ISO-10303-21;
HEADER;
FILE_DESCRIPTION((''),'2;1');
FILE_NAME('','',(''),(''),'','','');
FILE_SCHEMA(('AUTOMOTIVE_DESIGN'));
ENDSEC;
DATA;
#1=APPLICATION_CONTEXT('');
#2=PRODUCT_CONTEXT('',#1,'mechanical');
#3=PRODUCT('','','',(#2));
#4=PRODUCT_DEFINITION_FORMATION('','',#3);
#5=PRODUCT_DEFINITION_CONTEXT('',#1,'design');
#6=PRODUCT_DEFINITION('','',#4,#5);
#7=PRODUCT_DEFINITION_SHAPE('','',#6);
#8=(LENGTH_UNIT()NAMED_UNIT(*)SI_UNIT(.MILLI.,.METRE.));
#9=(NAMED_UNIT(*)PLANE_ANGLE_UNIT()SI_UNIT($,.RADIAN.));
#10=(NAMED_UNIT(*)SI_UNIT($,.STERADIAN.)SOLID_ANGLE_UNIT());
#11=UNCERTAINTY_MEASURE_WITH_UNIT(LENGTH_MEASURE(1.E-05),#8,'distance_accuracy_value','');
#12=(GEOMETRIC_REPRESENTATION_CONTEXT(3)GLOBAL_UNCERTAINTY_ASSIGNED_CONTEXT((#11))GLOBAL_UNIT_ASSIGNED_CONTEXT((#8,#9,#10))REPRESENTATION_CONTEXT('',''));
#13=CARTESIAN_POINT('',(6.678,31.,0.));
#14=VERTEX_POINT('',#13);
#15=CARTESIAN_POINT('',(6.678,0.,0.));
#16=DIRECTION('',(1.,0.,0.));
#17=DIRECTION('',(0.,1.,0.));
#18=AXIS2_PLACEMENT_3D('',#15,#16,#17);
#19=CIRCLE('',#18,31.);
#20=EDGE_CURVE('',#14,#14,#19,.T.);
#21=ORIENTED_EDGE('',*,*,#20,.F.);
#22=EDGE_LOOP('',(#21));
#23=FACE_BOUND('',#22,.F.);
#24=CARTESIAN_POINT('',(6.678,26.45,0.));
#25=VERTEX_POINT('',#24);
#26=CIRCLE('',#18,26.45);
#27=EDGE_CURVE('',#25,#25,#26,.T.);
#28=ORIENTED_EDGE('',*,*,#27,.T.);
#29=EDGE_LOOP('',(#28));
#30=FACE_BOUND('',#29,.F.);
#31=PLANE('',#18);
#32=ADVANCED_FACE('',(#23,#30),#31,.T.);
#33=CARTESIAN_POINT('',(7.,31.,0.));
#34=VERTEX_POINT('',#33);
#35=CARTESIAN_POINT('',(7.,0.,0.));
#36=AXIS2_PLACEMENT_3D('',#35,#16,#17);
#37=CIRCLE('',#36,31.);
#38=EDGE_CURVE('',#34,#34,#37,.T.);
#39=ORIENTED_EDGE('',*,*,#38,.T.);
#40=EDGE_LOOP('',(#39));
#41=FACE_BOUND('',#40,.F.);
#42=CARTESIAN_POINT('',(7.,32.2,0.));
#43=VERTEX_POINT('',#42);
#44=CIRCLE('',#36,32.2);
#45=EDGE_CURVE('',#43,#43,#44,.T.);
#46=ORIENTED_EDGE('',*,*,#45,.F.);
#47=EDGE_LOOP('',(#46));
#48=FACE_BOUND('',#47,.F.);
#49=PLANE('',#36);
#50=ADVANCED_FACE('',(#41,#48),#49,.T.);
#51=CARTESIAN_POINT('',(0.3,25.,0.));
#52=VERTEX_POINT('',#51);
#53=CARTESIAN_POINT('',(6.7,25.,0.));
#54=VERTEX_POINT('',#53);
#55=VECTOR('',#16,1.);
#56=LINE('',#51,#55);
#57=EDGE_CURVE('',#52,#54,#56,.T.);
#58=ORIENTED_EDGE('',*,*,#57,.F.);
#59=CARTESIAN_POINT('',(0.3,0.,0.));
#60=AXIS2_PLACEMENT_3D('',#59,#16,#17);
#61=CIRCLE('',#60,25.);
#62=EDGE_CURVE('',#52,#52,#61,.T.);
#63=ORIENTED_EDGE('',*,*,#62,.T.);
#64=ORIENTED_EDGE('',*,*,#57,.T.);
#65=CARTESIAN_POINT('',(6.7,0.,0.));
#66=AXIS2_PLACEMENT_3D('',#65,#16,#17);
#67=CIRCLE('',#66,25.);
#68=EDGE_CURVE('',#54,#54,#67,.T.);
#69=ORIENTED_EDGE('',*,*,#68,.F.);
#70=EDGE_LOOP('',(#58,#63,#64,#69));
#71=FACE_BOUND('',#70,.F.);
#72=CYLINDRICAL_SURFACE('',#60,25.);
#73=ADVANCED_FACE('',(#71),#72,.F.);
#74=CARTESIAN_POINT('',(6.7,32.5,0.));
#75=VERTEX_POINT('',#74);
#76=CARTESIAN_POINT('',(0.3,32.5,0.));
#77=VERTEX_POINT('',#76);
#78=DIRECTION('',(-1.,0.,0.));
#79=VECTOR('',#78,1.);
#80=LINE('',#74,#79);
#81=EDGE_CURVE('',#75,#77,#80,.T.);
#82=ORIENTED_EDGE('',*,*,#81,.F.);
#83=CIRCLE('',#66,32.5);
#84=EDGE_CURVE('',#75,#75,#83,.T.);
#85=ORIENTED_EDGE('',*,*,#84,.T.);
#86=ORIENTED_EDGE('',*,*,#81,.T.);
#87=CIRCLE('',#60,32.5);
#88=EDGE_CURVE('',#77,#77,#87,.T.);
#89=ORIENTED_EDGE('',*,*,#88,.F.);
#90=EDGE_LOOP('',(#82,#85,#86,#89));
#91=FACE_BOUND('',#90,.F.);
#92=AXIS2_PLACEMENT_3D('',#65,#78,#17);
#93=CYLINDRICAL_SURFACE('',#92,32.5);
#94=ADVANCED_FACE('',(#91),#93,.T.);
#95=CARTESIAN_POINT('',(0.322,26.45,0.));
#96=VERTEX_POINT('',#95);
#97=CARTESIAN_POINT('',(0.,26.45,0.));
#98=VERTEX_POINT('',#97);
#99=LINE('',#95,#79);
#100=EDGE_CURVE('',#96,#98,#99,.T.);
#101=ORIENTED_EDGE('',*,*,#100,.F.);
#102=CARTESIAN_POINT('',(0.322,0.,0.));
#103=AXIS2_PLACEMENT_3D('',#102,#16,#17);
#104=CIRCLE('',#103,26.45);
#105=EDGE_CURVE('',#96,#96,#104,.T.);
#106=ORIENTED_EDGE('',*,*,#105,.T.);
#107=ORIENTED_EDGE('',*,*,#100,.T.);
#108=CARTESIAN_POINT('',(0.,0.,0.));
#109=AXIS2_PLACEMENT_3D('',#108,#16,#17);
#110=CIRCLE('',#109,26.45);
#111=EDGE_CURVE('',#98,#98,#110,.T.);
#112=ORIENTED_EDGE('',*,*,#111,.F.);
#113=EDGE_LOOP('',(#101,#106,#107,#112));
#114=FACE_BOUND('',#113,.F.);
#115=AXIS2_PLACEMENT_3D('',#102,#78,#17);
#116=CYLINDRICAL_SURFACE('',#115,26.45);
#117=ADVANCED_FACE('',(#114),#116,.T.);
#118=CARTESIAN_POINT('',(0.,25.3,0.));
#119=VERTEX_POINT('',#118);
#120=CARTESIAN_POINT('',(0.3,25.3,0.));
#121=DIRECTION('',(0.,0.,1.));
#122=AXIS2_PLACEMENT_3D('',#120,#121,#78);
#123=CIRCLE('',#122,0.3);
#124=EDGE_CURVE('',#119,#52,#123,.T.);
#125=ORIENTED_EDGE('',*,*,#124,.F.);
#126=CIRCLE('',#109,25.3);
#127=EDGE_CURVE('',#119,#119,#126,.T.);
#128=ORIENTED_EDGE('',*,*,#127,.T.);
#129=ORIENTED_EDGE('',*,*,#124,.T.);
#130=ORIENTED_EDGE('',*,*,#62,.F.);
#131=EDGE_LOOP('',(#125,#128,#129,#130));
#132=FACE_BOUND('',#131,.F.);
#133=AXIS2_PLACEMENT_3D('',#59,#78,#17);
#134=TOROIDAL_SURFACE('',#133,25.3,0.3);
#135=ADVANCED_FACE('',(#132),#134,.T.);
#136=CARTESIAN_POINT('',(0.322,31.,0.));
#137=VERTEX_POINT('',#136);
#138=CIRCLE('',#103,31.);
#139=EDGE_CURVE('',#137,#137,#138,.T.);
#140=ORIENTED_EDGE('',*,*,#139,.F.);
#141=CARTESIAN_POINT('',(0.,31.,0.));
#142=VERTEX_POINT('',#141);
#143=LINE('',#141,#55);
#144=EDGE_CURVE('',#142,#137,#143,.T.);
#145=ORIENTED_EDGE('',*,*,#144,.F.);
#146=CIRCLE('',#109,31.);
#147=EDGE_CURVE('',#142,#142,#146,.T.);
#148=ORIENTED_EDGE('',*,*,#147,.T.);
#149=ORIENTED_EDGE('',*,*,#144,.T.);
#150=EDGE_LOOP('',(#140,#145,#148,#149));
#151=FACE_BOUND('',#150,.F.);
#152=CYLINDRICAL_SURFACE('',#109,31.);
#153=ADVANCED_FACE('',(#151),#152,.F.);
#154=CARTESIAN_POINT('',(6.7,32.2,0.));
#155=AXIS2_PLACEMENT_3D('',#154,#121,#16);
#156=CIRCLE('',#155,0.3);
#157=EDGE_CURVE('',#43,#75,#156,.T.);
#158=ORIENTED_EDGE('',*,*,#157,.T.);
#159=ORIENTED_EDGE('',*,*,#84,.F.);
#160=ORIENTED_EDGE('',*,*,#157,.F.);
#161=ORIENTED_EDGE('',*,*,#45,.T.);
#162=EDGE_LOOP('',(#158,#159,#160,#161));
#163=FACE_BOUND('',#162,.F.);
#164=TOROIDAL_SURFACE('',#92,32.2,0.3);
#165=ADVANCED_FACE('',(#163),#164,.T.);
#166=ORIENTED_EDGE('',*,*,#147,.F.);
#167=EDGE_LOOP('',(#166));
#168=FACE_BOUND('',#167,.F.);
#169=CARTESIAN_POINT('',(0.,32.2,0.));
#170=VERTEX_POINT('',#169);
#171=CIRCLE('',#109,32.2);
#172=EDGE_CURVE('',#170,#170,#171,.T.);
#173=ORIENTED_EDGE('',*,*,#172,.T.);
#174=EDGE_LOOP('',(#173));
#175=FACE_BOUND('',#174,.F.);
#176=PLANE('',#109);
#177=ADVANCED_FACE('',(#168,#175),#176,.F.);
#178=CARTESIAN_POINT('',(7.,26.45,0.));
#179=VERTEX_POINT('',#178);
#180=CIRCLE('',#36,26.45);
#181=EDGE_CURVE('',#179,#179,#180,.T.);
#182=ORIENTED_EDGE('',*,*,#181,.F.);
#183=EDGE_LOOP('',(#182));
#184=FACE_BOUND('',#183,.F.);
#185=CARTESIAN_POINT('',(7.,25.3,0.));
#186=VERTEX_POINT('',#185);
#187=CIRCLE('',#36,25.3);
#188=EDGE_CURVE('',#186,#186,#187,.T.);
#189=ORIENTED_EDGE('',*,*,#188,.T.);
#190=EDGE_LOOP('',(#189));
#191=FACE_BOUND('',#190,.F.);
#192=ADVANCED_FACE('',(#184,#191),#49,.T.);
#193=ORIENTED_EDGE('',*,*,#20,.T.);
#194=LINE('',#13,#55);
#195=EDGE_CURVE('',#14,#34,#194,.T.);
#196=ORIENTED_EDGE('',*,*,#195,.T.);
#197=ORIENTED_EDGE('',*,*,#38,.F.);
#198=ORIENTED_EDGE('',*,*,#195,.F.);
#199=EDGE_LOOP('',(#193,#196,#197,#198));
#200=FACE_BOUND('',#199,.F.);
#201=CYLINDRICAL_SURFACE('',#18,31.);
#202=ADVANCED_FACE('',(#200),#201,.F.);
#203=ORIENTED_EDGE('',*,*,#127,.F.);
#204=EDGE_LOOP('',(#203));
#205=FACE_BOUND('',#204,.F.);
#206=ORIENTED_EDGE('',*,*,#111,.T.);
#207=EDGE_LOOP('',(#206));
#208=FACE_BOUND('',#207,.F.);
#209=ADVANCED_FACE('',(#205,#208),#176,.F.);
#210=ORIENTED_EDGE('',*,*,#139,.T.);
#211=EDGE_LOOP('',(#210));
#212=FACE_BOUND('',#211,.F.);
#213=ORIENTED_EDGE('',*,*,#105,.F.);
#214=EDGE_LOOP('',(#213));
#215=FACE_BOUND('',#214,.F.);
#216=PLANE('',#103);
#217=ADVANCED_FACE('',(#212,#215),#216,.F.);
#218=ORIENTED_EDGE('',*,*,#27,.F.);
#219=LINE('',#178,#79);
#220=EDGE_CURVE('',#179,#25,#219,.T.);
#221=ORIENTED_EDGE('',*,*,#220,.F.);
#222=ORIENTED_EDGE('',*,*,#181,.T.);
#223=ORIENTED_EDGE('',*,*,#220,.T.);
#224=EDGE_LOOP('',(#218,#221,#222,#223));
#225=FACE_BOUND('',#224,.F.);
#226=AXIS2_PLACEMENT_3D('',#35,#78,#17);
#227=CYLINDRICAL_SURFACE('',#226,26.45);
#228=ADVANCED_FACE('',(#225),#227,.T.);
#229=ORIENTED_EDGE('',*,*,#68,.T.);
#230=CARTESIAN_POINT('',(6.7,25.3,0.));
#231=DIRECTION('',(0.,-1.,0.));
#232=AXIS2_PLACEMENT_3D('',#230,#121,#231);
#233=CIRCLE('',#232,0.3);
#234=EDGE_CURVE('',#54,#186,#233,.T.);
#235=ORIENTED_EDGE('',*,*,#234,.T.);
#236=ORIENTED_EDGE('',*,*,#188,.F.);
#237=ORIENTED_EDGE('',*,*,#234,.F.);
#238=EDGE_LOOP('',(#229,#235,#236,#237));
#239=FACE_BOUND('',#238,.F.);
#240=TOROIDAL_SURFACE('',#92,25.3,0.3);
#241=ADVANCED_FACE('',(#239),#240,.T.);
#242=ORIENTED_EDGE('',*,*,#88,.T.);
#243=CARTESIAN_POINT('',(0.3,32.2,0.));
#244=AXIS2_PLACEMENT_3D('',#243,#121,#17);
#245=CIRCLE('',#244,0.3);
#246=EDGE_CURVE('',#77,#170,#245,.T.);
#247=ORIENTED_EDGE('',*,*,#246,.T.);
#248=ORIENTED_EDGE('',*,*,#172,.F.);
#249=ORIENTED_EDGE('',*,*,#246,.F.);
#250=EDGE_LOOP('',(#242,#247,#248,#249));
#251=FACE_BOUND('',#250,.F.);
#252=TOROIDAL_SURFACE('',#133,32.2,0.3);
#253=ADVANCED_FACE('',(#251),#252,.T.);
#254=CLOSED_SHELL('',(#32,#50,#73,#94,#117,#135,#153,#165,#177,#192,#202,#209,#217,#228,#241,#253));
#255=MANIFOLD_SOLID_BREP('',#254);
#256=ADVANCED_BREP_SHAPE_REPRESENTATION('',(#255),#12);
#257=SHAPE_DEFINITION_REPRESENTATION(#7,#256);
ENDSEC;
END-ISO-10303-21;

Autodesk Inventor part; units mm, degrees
sketch "Sketch_1" plane through (0, 0, 0) normal (0, 0, 1) x (1, 0, 0)
  line L0 (7, 0) -> (0, 0)
  arc A0 (0, 25.3) -> (0.3, 25) centre (0.3, 25.3) ccw
  line L1 (0.3, 25) -> (6.7, 25)
  arc A1 (6.7, 25) -> (7, 25.3) centre (6.7, 25.3) ccw
  line L2 (7, 25.3) -> (7, 26.45)
  line L3 (7, 26.45) -> (6.678, 26.45)
  line L4 (6.678, 26.45) -> (6.678, 31)
  line L5 (6.678, 31) -> (7, 31)
  line L6 (7, 31) -> (7, 32.2)
  arc A2 (7, 32.2) -> (6.7, 32.5) centre (6.7, 32.2) ccw
  line L7 (6.7, 32.5) -> (0.3, 32.5)
  arc A3 (0.3, 32.5) -> (0, 32.2) centre (0.3, 32.2) ccw
  line L8 (0, 32.2) -> (0, 31)
  line L9 (0, 31) -> (0.322, 31)
  line L10 (0.322, 31) -> (0.322, 26.45)
  line L11 (0.322, 26.45) -> (0, 26.45)
  line L12 (0, 26.45) -> (0, 25.3)
revolve "Revolution1" add sketch "Sketch_1" angle 360 about axis through (7, 0, 0) along (1, 0, 0)
ref_plane "center_point_XY" through (3.5, 0, 0) normal (1, 0, 0) x (0, 0, -1)
ref_plane "center_point_YZ" through (3.5, 0, 0) normal (0, 0, -1) x (0, 1, 0)
ref_plane "center_point_ZX" through (3.5, 0, 0) normal (0, 1, 0) x (1, 0, 0)
ref_plane "to_housing_XY" through (0, 0, 0) normal (1, 0, 0) x (0, 0, -1)
ref_plane "to_housing_YZ" through (0, 0, 0) normal (0, 0, -1) x (0, 1, 0)
ref_plane "to_housing_ZX" through (0, 0, 0) normal (0, 1, 0) x (1, 0, 0)
ref_plane "to_ring_XY" through (6.356, 0, 0) normal (1, 0, 0) x (0, 0, -1)
ref_plane "to_ring_YZ" through (6.356, 0, 0) normal (0, 0, -1) x (0, 1, 0)
ref_plane "to_ring_ZX" through (6.356, 0, 0) normal (0, 1, 0) x (1, 0, 0)
properties part number "B6810ZZ"
